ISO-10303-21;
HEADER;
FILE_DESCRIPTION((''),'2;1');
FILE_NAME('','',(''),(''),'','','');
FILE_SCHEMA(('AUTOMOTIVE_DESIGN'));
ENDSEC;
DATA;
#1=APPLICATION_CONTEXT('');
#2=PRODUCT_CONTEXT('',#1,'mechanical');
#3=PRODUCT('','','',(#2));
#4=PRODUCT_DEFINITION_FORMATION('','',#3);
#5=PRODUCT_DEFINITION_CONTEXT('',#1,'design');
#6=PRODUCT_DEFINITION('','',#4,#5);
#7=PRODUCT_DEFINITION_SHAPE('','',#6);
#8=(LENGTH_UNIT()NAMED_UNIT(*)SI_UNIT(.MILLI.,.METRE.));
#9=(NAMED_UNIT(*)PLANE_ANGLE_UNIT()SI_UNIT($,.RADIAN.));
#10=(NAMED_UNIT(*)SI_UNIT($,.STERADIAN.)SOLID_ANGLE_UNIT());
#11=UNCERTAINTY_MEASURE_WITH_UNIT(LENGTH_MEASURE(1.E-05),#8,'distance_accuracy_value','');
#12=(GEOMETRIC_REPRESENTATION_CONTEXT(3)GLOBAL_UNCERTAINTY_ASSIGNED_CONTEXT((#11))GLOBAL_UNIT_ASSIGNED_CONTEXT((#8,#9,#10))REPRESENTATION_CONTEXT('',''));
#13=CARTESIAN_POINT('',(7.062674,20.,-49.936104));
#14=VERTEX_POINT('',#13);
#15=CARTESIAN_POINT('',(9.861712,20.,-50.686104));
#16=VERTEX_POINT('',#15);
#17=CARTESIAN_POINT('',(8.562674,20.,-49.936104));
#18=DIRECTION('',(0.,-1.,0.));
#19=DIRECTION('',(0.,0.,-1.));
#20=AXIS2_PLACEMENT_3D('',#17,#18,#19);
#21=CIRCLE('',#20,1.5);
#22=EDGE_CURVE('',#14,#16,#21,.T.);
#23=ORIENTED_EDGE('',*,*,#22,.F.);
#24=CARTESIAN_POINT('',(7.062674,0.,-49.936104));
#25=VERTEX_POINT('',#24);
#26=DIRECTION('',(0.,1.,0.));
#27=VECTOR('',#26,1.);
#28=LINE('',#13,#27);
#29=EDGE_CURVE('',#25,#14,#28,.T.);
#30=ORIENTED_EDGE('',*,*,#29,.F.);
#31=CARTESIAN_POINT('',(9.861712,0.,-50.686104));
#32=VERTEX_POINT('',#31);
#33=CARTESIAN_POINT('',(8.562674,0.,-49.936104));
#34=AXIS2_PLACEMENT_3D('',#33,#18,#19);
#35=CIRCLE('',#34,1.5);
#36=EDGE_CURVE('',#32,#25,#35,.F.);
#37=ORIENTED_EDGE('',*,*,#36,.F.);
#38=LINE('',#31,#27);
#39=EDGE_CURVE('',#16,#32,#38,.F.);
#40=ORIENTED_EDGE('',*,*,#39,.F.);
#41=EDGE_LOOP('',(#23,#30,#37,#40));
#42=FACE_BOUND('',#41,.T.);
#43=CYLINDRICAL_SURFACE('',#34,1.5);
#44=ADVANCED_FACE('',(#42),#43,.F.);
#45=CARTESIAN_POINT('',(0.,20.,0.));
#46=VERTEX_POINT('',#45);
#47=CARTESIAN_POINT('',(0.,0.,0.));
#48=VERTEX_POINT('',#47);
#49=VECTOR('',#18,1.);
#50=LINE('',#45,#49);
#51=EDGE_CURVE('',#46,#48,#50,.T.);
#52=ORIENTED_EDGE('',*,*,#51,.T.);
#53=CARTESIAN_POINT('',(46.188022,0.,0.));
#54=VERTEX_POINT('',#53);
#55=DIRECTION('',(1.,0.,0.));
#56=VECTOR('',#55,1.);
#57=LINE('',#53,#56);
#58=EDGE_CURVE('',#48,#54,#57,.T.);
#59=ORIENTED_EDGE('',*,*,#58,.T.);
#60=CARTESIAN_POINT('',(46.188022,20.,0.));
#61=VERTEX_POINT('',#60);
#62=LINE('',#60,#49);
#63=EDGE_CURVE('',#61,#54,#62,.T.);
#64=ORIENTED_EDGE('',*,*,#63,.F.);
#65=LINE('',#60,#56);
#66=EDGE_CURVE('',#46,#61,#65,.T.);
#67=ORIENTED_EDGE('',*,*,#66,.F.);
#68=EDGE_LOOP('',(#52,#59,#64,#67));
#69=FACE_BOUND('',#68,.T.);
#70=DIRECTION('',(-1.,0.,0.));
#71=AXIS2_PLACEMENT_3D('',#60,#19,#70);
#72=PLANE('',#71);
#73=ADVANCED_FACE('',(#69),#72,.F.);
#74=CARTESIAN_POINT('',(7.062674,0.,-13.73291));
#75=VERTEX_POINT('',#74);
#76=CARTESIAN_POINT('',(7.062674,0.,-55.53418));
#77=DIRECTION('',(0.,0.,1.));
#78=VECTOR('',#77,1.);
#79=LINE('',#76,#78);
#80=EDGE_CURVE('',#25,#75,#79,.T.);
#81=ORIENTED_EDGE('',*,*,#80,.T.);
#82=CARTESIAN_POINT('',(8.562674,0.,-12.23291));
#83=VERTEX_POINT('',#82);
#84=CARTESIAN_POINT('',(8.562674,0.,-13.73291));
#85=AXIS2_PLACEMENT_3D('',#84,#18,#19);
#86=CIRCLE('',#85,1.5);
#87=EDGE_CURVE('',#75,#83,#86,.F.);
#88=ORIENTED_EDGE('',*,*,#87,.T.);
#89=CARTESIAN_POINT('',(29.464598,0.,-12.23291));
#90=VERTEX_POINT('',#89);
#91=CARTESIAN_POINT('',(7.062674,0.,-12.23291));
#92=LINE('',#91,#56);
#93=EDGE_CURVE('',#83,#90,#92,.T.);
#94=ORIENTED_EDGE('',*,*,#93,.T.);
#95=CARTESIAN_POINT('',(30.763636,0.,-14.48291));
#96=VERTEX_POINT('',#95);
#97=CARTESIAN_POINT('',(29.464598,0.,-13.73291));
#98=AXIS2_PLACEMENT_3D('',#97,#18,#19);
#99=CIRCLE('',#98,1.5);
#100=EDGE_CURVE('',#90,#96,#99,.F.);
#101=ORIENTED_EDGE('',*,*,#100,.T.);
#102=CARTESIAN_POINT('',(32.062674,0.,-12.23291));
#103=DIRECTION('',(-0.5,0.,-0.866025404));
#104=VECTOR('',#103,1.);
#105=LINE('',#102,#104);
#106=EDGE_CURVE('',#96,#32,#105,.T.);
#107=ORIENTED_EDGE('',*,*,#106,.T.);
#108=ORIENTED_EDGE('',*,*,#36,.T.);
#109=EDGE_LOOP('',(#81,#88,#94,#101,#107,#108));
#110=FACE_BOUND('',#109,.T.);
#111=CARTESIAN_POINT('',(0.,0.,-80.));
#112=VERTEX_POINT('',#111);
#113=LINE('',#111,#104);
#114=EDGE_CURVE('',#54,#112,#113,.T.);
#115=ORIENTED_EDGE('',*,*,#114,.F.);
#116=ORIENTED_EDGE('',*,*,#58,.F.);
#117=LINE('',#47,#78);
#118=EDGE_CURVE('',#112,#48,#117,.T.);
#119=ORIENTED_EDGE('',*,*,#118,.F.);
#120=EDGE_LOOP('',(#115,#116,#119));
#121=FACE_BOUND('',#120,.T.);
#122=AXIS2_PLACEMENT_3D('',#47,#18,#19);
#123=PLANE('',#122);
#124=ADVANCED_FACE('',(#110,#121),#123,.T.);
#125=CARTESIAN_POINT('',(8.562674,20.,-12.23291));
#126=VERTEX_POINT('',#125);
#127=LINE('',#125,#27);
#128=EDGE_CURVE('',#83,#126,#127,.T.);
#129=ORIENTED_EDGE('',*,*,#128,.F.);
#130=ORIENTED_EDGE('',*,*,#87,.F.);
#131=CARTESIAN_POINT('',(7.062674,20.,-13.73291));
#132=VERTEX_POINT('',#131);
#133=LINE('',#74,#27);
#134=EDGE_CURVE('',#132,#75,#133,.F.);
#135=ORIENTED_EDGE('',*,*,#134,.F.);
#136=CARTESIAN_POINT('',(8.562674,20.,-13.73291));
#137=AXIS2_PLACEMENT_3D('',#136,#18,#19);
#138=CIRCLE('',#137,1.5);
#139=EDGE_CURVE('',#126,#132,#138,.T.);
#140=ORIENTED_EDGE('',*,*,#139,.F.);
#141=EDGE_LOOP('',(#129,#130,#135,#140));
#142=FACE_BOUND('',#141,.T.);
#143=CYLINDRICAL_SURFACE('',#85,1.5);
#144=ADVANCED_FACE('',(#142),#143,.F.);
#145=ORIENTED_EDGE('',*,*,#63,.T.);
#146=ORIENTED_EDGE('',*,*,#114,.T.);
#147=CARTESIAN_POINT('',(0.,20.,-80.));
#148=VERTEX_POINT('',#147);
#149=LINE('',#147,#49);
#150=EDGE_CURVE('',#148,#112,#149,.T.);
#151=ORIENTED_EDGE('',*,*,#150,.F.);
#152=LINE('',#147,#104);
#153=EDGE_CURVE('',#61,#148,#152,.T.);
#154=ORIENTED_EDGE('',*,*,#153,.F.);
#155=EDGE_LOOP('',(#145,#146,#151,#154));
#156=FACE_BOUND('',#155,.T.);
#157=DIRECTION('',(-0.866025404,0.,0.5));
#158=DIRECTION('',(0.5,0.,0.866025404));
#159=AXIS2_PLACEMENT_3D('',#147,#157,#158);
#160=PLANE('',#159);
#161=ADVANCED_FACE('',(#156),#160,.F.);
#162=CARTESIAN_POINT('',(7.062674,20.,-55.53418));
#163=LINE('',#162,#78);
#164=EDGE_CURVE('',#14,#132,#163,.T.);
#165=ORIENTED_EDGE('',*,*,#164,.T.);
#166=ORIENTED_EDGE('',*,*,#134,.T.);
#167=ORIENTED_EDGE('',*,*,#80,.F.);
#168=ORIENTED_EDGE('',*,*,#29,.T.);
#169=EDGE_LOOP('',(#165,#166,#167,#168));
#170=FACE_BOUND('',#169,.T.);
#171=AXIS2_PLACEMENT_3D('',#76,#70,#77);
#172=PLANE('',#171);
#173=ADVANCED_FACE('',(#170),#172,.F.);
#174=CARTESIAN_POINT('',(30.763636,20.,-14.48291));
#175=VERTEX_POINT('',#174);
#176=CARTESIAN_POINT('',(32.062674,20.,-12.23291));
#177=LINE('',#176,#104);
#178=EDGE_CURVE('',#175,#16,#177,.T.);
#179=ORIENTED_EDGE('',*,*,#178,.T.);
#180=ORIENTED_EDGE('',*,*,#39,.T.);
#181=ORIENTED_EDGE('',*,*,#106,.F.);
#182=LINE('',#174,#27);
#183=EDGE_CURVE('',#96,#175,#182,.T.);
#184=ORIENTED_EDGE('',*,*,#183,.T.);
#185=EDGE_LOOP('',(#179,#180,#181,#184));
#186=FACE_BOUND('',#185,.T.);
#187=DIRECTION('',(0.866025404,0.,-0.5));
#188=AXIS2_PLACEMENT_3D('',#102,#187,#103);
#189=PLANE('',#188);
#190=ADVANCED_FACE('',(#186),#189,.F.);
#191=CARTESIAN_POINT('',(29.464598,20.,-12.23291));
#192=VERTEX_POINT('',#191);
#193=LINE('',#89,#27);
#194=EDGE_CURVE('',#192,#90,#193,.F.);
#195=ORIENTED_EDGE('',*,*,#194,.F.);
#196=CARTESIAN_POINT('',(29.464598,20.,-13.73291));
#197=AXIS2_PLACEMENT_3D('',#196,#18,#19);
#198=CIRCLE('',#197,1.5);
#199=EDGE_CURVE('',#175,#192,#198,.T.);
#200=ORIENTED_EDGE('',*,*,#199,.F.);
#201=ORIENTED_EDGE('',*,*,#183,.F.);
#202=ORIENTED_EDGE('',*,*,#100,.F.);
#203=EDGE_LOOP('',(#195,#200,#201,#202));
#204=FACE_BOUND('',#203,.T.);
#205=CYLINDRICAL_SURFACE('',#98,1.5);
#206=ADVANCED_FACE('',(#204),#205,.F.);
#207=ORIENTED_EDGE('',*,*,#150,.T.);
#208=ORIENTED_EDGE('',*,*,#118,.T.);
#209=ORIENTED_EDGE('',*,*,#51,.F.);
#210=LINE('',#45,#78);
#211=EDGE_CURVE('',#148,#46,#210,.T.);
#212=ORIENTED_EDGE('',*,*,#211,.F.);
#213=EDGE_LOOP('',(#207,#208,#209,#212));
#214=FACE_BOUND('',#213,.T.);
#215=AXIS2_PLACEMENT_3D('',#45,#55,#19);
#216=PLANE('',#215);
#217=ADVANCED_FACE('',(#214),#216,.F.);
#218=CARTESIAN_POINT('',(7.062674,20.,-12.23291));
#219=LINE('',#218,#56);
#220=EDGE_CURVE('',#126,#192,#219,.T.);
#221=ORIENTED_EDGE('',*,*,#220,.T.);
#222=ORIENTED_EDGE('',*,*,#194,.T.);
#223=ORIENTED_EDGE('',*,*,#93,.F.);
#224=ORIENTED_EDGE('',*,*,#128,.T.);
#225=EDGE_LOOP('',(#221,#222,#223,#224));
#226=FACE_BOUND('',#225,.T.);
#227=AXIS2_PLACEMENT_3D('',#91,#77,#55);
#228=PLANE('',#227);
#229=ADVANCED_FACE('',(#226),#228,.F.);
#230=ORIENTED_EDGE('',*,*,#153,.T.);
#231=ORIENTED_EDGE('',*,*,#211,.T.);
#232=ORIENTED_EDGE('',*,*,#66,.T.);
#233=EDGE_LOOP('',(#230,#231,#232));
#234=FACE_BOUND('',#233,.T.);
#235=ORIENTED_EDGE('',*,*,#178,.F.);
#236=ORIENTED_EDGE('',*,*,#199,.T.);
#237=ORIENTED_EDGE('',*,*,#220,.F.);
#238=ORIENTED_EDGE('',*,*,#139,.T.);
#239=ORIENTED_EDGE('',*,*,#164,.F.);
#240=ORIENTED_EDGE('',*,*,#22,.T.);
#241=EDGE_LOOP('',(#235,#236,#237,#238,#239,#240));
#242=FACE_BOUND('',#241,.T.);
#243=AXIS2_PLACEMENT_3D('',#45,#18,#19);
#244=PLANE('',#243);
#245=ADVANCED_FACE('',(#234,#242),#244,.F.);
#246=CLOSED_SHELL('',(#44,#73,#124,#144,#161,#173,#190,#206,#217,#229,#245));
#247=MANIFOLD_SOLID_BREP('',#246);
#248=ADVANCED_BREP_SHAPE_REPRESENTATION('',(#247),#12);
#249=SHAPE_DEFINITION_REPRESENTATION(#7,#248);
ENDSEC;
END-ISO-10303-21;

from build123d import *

# Parameters (mm, degrees)
BOSS_EXTRUDE1_DEPTH = 20
CUT_EXTRUDE1_DEPTH  = 21
FILLET1_R           = 1.5


with BuildPart() as part:
    # Sketch1 → Boss-Extrude1 (new body)
    with BuildSketch(Plane(origin=(0, 0, 0), x_dir=(1, 0, 0), z_dir=(0, 1, 0))):
        Polygon((0, 0), (0, 80), (46.188021535, 0), align=None)
    extrude(amount=BOSS_EXTRUDE1_DEPTH)

    # Sketch2 → Cut-Extrude1 (cut, through all)
    with BuildSketch(Plane(origin=(0, 20, 0), x_dir=(1, 0, 0), z_dir=(0, 1, 0))):
        Polygon((7.062673845, 55.534180126), (7.062673845, 12.232909937), (32.062673845, 12.232909937), align=None)
    extrude(amount=-CUT_EXTRUDE1_DEPTH, mode=Mode.SUBTRACT)

    # Fillet1
    fillet1_edges = [part.edges().sort_by_distance(p)[0] for p in [
        (7.062673845, 10, -55.534180126),
        (32.062673845, 10, -12.232909937),
        (7.062673845, 10, -12.232909937),
    ]]
    fillet(fillet1_edges, radius=FILLET1_R)


solid = part.part
